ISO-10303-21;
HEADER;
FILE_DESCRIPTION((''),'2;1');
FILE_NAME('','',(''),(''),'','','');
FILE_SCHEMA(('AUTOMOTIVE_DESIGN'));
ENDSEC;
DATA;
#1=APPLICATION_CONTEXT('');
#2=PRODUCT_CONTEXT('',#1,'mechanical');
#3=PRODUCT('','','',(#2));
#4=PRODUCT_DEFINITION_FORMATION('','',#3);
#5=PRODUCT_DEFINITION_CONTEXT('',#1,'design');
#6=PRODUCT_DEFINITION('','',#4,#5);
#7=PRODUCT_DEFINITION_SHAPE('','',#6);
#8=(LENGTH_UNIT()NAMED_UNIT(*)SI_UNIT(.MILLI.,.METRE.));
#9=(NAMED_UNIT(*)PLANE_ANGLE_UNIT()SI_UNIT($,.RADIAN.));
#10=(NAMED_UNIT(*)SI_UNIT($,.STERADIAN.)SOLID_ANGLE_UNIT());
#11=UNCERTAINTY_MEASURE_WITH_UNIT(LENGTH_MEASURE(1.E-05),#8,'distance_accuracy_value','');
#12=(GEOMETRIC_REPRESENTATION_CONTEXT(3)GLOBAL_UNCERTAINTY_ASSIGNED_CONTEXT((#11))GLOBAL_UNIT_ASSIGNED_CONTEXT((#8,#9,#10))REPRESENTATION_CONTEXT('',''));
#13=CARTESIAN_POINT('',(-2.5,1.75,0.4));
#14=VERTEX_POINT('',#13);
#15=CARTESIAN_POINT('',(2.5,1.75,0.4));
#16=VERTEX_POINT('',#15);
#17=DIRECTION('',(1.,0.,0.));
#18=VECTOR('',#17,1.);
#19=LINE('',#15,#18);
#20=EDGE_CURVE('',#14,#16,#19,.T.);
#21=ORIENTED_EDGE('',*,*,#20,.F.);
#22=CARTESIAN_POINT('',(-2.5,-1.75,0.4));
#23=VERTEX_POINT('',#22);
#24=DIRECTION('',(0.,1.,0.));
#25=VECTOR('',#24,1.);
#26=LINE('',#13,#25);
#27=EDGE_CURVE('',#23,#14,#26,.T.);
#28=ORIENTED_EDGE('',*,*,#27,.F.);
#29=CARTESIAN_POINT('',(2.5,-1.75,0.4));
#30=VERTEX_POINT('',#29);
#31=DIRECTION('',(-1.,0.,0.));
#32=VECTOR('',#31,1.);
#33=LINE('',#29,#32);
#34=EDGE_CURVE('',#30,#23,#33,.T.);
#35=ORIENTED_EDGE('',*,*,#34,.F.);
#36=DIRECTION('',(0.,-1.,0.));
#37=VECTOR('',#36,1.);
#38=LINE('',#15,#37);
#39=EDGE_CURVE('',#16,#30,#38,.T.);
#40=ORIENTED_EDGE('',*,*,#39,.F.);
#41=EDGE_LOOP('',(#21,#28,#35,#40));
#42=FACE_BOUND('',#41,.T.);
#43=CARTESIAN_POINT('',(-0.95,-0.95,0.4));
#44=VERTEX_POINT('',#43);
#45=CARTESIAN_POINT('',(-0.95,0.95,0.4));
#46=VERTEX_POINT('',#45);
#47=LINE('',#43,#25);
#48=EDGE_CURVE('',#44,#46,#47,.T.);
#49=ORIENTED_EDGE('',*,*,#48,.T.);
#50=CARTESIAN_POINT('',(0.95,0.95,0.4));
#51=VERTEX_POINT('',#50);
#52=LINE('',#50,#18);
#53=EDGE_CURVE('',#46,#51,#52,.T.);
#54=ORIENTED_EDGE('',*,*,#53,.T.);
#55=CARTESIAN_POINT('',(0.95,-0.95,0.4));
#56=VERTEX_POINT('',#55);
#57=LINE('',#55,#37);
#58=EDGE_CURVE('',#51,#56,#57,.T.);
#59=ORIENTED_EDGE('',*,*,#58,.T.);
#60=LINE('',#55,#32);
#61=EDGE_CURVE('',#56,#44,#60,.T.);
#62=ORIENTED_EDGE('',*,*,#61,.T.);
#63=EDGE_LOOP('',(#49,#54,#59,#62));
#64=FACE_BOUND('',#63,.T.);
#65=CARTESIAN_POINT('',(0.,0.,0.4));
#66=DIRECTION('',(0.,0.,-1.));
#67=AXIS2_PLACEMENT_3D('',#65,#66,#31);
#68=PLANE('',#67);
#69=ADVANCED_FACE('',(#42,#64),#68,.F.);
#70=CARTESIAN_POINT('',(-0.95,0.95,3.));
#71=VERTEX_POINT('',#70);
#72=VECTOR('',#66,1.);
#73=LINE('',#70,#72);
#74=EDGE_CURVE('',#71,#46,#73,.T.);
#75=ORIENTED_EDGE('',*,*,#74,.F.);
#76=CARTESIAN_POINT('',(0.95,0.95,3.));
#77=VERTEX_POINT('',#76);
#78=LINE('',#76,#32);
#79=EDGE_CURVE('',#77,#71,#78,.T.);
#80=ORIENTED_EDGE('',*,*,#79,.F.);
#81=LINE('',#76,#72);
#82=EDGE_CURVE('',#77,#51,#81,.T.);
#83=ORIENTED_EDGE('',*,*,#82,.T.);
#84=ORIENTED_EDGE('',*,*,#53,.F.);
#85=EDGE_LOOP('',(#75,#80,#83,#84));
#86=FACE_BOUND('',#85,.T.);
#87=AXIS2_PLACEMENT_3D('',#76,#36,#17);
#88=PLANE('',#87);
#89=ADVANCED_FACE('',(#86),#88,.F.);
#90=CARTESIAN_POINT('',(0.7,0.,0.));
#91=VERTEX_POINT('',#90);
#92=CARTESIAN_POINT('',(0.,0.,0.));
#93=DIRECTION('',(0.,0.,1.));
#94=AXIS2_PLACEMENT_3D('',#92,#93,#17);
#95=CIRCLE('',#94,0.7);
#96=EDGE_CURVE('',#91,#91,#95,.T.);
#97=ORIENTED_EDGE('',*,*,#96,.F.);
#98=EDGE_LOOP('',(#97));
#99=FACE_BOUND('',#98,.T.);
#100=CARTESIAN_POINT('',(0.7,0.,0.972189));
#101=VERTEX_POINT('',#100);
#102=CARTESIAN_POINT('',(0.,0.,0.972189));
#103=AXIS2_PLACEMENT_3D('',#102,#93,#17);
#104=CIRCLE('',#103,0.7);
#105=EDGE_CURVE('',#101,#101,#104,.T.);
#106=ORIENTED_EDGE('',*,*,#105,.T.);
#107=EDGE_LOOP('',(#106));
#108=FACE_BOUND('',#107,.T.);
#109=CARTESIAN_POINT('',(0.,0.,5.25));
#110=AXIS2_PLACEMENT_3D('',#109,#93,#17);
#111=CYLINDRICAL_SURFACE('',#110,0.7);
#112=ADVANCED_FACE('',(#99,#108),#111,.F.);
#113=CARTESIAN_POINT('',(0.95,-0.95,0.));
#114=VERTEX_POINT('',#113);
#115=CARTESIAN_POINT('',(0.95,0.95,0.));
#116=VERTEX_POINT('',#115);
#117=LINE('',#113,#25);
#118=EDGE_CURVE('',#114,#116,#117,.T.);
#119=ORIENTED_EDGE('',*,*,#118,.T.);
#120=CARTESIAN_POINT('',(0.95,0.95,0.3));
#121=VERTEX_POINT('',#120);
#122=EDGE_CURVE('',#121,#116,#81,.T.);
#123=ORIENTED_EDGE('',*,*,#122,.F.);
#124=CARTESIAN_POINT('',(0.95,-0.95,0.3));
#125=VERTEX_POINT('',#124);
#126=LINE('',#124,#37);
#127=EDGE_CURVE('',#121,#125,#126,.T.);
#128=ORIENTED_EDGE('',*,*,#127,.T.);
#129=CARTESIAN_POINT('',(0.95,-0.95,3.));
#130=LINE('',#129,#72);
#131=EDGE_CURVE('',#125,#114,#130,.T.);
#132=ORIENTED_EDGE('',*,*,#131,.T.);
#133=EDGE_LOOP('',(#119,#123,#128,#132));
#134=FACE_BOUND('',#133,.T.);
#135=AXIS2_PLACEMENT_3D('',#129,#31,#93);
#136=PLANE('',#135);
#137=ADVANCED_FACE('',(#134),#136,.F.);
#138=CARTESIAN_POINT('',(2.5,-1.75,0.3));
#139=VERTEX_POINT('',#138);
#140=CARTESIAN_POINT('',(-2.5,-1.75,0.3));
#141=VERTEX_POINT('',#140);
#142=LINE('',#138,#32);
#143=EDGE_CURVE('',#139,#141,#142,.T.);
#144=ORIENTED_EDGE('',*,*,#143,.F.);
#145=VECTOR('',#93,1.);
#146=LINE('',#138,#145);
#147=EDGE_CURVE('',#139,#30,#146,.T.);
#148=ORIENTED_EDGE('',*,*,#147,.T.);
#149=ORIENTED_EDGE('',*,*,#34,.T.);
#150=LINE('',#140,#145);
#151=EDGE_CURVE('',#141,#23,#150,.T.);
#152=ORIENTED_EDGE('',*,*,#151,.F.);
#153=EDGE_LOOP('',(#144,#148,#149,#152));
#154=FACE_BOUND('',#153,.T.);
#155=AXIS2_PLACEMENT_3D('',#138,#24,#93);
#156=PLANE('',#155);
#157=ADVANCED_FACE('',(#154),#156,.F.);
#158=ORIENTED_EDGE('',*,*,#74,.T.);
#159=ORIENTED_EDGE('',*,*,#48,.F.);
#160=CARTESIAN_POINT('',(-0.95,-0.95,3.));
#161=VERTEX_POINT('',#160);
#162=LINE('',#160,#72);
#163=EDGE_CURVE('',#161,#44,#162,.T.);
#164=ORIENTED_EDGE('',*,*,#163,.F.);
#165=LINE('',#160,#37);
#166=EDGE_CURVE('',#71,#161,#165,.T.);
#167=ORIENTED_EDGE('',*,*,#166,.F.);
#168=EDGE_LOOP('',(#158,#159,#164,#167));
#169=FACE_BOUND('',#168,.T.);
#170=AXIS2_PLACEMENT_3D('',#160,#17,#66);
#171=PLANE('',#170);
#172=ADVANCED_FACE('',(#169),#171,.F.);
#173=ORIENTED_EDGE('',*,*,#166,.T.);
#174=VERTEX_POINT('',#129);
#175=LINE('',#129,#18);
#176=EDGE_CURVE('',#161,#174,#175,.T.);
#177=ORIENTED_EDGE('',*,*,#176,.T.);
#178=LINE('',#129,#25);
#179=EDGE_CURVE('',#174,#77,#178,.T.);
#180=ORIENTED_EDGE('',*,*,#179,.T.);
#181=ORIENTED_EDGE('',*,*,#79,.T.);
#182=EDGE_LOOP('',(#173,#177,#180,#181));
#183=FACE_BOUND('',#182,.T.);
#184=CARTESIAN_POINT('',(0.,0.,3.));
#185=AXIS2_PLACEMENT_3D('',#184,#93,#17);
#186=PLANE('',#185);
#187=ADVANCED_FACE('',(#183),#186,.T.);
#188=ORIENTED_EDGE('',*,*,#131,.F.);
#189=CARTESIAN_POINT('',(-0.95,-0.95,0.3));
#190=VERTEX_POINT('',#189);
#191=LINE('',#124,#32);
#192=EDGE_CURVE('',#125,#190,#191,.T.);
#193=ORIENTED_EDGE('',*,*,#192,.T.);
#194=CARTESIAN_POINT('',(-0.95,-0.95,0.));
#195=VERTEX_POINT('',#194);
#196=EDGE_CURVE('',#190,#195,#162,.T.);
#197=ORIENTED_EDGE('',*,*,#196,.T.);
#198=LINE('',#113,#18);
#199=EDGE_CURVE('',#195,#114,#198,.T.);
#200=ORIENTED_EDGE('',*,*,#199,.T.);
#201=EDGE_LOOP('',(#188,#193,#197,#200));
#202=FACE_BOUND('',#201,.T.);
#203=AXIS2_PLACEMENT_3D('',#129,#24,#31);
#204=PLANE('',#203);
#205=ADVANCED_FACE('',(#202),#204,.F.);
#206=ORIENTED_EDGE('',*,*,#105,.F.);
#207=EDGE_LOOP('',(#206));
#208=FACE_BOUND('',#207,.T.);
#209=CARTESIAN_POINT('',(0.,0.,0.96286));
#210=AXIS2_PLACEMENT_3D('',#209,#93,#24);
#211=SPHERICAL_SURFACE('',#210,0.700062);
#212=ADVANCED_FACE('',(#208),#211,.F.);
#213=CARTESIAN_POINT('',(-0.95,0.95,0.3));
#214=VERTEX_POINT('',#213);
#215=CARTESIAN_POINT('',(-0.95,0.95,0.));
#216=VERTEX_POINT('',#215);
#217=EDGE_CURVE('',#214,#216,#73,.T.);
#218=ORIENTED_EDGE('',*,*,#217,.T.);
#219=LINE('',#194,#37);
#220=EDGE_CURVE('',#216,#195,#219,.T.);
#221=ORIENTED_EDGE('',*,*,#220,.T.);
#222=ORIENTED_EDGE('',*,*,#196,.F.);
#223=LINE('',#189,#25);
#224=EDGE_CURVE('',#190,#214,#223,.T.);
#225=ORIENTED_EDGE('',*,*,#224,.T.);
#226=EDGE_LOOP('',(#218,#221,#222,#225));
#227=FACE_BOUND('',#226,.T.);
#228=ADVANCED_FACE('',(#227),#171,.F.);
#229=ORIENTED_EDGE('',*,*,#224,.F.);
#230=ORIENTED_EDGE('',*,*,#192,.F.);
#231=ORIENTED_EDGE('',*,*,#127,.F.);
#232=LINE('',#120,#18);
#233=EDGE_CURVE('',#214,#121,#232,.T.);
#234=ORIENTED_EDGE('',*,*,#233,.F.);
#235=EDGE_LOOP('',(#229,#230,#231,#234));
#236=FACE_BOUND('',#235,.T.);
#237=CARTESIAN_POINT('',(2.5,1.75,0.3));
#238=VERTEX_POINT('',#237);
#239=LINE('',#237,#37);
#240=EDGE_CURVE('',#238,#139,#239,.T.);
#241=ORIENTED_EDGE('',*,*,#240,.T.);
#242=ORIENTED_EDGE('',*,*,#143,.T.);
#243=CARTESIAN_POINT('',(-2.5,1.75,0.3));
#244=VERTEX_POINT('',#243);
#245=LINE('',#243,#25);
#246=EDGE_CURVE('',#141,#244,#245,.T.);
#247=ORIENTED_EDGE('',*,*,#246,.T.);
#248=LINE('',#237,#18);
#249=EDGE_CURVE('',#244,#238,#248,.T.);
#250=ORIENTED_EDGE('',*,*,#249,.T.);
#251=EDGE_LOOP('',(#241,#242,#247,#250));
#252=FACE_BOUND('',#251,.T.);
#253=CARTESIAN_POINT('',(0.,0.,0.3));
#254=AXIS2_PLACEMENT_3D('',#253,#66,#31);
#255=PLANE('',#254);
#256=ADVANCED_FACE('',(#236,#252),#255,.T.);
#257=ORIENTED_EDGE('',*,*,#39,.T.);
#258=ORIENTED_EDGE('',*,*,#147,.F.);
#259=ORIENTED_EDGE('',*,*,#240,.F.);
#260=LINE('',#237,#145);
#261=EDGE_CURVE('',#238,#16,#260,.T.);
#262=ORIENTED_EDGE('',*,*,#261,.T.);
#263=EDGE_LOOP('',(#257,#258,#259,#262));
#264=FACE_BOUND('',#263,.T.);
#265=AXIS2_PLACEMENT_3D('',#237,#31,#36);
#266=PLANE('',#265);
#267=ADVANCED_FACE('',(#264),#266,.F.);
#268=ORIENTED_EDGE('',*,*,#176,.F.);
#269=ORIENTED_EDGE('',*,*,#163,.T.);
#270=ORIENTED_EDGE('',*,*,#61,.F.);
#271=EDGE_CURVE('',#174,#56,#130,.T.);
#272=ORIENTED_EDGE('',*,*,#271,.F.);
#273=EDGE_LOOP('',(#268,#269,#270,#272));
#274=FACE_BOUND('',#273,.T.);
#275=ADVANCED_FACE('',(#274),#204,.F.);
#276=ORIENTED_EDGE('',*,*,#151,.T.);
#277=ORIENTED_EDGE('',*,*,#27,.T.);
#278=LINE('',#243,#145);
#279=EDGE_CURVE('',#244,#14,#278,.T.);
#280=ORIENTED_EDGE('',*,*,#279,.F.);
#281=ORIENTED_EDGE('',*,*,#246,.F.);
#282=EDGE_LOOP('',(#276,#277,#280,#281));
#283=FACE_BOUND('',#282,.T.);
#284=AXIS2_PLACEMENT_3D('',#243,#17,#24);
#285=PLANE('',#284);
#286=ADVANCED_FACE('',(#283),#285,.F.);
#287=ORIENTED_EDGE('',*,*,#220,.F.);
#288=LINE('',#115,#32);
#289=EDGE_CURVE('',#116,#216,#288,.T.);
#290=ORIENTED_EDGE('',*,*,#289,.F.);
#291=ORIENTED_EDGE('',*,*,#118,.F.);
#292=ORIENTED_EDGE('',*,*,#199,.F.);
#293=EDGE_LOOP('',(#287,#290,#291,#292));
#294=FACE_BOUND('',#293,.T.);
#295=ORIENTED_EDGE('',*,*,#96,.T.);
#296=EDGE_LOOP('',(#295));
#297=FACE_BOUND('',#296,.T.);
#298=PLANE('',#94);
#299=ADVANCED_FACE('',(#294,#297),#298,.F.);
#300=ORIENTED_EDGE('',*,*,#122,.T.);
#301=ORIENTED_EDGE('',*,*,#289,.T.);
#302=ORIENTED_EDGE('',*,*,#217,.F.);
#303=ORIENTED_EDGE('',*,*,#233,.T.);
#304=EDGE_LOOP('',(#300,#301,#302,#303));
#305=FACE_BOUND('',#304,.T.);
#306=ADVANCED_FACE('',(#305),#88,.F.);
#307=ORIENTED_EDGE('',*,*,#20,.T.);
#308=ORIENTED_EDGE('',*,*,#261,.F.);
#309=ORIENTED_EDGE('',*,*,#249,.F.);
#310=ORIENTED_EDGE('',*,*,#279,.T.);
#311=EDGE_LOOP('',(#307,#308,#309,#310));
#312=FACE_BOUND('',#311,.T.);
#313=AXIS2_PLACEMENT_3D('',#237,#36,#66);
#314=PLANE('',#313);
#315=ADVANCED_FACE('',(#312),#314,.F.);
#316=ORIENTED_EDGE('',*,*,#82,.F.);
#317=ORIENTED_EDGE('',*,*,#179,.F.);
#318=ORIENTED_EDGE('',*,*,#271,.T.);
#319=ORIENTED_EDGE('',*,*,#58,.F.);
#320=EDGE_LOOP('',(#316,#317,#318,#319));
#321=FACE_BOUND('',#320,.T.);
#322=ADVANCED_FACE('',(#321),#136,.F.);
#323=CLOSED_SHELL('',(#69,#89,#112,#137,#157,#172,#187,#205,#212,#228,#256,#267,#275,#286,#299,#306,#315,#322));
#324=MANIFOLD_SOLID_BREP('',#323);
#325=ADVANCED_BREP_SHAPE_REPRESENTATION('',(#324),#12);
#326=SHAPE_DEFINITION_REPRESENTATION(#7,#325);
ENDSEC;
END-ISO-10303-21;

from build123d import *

# Parameters (mm, degrees)
SKETCH1_W           = 1.9
SKETCH1_H           = 1.9
BOSS_EXTRUDE1_DEPTH = 3
SKETCH4_W           = 5
SKETCH4_H           = 3.5
SKETCH4_W_2         = 1.530066542
SKETCH4_H_2         = 1.473797408
BOSS_EXTRUDE2_DEPTH = 0.1


with BuildPart() as part:
    # Sketch1 → Boss-Extrude1 (new body)
    with BuildSketch(Plane.XY):
        Rectangle(SKETCH1_W, SKETCH1_H)
    extrude(amount=BOSS_EXTRUDE1_DEPTH)

    # Sketch3 → Cut-Revolve1 (revolve, cut)
    with BuildSketch(Plane(origin=(0, 0, 0), x_dir=(0, 0, -1), z_dir=(1, 0, 0))):
        with BuildLine():
            Line((0, 0), (0, 0.7))
            Line((0, 0.7), (-0.972189278, 0.7))
            ThreePointArc((-0.972189278, 0.7), (-1.461166365, 0.49170934), (-1.662922441, 0))
            Line((-1.662922441, 0), (0, 0))
        make_face()
    revolve(axis=Axis((0, 0, 5.25), (0, 0, -1)), mode=Mode.SUBTRACT)

    # Sketch4 → Boss-Extrude2 (add)
    with BuildSketch(Plane(origin=(0, 0, 0.4), x_dir=(-1, 0, 0), z_dir=(0, 0, -1))):
        Rectangle(SKETCH4_W, SKETCH4_H)
        Rectangle(SKETCH4_W_2, SKETCH4_H_2, mode=Mode.SUBTRACT)
    extrude(amount=BOSS_EXTRUDE2_DEPTH)


solid = part.part
